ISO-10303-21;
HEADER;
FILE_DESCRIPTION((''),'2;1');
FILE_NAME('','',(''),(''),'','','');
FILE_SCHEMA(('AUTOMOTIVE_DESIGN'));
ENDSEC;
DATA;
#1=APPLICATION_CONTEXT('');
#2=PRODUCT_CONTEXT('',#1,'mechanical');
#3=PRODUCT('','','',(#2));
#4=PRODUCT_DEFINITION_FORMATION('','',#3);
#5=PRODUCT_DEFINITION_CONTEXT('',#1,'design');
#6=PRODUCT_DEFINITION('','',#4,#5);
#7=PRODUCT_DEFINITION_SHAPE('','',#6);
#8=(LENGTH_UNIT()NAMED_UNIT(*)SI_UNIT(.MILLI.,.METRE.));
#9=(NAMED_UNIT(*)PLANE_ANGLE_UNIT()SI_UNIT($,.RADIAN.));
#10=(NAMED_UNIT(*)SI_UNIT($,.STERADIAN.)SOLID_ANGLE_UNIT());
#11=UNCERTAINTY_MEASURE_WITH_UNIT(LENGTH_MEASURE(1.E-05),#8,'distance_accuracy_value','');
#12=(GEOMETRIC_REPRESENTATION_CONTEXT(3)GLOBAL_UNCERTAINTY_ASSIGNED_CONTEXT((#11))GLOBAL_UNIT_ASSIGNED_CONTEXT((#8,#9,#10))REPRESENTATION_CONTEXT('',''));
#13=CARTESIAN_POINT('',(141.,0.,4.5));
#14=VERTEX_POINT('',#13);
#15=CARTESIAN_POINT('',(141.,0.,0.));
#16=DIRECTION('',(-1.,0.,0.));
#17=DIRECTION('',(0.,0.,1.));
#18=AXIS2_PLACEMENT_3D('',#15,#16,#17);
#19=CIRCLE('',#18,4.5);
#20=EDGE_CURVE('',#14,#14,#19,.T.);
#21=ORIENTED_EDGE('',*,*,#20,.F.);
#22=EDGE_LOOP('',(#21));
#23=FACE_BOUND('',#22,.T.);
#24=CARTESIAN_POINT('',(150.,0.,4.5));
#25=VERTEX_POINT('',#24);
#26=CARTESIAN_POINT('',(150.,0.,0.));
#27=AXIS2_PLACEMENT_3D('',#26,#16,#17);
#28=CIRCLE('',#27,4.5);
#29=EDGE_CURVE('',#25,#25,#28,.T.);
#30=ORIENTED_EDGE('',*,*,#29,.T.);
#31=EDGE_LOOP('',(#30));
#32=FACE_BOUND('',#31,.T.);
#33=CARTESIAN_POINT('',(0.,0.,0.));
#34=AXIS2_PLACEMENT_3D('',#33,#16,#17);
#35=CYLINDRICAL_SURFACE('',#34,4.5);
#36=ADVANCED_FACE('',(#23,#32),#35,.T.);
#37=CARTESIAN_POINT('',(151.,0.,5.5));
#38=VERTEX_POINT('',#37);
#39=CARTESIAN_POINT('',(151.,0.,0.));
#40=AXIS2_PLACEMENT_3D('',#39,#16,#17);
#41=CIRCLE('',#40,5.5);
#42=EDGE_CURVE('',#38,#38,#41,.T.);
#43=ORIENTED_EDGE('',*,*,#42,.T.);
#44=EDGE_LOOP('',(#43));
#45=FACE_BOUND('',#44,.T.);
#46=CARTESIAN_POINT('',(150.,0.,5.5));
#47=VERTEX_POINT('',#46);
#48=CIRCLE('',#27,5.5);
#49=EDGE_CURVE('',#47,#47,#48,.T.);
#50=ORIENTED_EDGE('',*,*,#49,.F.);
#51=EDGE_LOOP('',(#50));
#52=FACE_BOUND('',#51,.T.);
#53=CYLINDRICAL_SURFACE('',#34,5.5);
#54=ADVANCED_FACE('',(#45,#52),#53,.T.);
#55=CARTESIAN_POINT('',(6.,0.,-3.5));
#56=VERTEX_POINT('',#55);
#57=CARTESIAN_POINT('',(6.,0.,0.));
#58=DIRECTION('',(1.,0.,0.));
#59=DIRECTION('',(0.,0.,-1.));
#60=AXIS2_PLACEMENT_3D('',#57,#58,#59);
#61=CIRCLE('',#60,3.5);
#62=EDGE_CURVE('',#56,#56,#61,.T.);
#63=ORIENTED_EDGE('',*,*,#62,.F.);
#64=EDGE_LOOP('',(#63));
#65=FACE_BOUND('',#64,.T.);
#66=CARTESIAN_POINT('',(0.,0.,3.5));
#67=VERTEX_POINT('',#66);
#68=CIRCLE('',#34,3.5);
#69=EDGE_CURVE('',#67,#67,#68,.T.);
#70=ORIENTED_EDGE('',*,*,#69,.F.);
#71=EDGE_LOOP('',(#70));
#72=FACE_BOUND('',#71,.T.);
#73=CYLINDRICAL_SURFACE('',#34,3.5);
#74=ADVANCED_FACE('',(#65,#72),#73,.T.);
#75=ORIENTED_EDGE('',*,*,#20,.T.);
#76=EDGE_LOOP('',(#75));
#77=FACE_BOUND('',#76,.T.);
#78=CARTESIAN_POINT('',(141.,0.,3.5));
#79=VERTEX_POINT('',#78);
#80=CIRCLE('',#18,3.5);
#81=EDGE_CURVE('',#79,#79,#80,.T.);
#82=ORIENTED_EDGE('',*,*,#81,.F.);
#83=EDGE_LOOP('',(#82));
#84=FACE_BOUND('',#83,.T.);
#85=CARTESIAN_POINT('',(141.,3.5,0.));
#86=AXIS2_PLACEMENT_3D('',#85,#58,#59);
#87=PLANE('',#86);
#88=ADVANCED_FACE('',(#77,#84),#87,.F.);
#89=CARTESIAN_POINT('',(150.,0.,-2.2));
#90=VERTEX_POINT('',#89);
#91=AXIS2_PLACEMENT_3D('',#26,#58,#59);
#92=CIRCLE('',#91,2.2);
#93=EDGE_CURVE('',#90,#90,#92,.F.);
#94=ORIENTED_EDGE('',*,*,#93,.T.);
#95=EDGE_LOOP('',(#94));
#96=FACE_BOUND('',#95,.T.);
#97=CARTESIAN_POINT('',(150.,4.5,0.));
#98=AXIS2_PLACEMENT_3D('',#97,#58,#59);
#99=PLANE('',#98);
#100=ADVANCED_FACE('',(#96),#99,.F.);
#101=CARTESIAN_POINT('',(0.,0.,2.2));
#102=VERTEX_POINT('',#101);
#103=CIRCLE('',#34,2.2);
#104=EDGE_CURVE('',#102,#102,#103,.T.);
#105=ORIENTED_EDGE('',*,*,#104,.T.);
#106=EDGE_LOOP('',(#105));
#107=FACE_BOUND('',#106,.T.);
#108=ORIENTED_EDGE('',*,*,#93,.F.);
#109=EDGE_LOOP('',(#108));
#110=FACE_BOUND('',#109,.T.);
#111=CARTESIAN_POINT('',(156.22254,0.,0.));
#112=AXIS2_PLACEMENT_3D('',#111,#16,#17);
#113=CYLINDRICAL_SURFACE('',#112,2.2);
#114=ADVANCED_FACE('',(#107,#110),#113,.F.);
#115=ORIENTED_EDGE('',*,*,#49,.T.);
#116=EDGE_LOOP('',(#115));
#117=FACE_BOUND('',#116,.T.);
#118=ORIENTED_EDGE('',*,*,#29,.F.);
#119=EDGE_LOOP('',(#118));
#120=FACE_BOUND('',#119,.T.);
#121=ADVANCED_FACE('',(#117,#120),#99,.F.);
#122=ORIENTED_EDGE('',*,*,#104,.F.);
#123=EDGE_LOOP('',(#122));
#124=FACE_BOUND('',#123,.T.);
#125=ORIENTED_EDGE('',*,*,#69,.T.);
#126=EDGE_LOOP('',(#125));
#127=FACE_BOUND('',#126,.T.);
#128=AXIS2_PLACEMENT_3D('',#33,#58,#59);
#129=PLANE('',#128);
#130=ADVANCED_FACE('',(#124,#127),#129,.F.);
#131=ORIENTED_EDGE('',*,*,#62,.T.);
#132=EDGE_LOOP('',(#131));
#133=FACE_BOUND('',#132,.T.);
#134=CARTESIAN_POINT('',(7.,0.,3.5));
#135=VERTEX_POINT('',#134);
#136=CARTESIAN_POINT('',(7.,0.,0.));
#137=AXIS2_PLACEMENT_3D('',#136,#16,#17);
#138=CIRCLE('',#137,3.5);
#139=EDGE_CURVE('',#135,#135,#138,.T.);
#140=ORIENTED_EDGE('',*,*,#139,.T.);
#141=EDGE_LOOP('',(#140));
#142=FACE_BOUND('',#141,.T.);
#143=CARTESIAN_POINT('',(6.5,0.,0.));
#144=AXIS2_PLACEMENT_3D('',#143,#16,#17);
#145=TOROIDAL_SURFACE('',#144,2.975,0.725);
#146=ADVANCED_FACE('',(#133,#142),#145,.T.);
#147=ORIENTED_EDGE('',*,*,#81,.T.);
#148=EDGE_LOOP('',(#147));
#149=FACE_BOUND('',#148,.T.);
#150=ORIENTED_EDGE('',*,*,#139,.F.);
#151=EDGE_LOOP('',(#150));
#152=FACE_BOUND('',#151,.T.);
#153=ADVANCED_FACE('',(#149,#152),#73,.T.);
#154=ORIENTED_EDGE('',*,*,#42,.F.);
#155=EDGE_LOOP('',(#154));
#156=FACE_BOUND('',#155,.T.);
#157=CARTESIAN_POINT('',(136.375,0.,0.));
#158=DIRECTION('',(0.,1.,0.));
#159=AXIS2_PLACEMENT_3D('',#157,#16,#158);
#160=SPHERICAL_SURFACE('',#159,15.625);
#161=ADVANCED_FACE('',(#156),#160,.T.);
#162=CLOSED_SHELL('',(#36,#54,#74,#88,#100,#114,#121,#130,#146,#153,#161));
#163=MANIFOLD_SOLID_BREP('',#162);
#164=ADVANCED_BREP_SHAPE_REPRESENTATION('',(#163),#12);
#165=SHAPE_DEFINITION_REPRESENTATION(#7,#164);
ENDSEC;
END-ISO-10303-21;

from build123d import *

# Parameters (mm, degrees)
SKETCH3_R          = 2.2
CUT_EXTRUDE1_DEPTH = 150


with BuildPart() as part:
    # Sketch1 → Revolve1 (revolve)
    with BuildSketch(Plane.XY, mode=Mode.PRIVATE) as revolve1_sk:
        with BuildLine():
            Line((0, 0), (152, 0))
            ThreePointArc((152, 0), (151.747967345, 2.795084972), (151, 5.5))
            Line((151, 5.5), (150, 5.5))
            Line((150, 5.5), (150, 4.5))
            Line((150, 4.5), (141, 4.5))
            Line((141, 4.5), (141, 3.5))
            Line((141, 3.5), (0, 3.5))
            Line((0, 3.5), (0, 0))
        make_face()
    revolve(revolve1_sk.sketch.rotate(Axis((0, 0, 0), (1, 0, 0)), 90), axis=Axis((0, 0, 0), (1, 0, 0)))

    # Sketch2 → Revolve2 (revolve)
    with BuildSketch(Plane.XY, mode=Mode.PRIVATE) as revolve2_sk:
        with BuildLine():
            Line((6, 0), (7, 0))
            Line((7, 0), (7, 3.5))
            ThreePointArc((7, 3.5), (6.5, 3.7), (6, 3.5))
            Line((6, 3.5), (6, 0))
        make_face()
    revolve(revolve2_sk.sketch.rotate(Axis((6, 0, 0), (1, 0, 0)), 90), axis=Axis((6, 0, 0), (1, 0, 0)))

    # Sketch3 → Cut-Extrude1 (cut)
    with BuildSketch(Plane.ZY):
        Circle(SKETCH3_R)
    extrude(amount=-CUT_EXTRUDE1_DEPTH, mode=Mode.SUBTRACT)


solid = part.part
